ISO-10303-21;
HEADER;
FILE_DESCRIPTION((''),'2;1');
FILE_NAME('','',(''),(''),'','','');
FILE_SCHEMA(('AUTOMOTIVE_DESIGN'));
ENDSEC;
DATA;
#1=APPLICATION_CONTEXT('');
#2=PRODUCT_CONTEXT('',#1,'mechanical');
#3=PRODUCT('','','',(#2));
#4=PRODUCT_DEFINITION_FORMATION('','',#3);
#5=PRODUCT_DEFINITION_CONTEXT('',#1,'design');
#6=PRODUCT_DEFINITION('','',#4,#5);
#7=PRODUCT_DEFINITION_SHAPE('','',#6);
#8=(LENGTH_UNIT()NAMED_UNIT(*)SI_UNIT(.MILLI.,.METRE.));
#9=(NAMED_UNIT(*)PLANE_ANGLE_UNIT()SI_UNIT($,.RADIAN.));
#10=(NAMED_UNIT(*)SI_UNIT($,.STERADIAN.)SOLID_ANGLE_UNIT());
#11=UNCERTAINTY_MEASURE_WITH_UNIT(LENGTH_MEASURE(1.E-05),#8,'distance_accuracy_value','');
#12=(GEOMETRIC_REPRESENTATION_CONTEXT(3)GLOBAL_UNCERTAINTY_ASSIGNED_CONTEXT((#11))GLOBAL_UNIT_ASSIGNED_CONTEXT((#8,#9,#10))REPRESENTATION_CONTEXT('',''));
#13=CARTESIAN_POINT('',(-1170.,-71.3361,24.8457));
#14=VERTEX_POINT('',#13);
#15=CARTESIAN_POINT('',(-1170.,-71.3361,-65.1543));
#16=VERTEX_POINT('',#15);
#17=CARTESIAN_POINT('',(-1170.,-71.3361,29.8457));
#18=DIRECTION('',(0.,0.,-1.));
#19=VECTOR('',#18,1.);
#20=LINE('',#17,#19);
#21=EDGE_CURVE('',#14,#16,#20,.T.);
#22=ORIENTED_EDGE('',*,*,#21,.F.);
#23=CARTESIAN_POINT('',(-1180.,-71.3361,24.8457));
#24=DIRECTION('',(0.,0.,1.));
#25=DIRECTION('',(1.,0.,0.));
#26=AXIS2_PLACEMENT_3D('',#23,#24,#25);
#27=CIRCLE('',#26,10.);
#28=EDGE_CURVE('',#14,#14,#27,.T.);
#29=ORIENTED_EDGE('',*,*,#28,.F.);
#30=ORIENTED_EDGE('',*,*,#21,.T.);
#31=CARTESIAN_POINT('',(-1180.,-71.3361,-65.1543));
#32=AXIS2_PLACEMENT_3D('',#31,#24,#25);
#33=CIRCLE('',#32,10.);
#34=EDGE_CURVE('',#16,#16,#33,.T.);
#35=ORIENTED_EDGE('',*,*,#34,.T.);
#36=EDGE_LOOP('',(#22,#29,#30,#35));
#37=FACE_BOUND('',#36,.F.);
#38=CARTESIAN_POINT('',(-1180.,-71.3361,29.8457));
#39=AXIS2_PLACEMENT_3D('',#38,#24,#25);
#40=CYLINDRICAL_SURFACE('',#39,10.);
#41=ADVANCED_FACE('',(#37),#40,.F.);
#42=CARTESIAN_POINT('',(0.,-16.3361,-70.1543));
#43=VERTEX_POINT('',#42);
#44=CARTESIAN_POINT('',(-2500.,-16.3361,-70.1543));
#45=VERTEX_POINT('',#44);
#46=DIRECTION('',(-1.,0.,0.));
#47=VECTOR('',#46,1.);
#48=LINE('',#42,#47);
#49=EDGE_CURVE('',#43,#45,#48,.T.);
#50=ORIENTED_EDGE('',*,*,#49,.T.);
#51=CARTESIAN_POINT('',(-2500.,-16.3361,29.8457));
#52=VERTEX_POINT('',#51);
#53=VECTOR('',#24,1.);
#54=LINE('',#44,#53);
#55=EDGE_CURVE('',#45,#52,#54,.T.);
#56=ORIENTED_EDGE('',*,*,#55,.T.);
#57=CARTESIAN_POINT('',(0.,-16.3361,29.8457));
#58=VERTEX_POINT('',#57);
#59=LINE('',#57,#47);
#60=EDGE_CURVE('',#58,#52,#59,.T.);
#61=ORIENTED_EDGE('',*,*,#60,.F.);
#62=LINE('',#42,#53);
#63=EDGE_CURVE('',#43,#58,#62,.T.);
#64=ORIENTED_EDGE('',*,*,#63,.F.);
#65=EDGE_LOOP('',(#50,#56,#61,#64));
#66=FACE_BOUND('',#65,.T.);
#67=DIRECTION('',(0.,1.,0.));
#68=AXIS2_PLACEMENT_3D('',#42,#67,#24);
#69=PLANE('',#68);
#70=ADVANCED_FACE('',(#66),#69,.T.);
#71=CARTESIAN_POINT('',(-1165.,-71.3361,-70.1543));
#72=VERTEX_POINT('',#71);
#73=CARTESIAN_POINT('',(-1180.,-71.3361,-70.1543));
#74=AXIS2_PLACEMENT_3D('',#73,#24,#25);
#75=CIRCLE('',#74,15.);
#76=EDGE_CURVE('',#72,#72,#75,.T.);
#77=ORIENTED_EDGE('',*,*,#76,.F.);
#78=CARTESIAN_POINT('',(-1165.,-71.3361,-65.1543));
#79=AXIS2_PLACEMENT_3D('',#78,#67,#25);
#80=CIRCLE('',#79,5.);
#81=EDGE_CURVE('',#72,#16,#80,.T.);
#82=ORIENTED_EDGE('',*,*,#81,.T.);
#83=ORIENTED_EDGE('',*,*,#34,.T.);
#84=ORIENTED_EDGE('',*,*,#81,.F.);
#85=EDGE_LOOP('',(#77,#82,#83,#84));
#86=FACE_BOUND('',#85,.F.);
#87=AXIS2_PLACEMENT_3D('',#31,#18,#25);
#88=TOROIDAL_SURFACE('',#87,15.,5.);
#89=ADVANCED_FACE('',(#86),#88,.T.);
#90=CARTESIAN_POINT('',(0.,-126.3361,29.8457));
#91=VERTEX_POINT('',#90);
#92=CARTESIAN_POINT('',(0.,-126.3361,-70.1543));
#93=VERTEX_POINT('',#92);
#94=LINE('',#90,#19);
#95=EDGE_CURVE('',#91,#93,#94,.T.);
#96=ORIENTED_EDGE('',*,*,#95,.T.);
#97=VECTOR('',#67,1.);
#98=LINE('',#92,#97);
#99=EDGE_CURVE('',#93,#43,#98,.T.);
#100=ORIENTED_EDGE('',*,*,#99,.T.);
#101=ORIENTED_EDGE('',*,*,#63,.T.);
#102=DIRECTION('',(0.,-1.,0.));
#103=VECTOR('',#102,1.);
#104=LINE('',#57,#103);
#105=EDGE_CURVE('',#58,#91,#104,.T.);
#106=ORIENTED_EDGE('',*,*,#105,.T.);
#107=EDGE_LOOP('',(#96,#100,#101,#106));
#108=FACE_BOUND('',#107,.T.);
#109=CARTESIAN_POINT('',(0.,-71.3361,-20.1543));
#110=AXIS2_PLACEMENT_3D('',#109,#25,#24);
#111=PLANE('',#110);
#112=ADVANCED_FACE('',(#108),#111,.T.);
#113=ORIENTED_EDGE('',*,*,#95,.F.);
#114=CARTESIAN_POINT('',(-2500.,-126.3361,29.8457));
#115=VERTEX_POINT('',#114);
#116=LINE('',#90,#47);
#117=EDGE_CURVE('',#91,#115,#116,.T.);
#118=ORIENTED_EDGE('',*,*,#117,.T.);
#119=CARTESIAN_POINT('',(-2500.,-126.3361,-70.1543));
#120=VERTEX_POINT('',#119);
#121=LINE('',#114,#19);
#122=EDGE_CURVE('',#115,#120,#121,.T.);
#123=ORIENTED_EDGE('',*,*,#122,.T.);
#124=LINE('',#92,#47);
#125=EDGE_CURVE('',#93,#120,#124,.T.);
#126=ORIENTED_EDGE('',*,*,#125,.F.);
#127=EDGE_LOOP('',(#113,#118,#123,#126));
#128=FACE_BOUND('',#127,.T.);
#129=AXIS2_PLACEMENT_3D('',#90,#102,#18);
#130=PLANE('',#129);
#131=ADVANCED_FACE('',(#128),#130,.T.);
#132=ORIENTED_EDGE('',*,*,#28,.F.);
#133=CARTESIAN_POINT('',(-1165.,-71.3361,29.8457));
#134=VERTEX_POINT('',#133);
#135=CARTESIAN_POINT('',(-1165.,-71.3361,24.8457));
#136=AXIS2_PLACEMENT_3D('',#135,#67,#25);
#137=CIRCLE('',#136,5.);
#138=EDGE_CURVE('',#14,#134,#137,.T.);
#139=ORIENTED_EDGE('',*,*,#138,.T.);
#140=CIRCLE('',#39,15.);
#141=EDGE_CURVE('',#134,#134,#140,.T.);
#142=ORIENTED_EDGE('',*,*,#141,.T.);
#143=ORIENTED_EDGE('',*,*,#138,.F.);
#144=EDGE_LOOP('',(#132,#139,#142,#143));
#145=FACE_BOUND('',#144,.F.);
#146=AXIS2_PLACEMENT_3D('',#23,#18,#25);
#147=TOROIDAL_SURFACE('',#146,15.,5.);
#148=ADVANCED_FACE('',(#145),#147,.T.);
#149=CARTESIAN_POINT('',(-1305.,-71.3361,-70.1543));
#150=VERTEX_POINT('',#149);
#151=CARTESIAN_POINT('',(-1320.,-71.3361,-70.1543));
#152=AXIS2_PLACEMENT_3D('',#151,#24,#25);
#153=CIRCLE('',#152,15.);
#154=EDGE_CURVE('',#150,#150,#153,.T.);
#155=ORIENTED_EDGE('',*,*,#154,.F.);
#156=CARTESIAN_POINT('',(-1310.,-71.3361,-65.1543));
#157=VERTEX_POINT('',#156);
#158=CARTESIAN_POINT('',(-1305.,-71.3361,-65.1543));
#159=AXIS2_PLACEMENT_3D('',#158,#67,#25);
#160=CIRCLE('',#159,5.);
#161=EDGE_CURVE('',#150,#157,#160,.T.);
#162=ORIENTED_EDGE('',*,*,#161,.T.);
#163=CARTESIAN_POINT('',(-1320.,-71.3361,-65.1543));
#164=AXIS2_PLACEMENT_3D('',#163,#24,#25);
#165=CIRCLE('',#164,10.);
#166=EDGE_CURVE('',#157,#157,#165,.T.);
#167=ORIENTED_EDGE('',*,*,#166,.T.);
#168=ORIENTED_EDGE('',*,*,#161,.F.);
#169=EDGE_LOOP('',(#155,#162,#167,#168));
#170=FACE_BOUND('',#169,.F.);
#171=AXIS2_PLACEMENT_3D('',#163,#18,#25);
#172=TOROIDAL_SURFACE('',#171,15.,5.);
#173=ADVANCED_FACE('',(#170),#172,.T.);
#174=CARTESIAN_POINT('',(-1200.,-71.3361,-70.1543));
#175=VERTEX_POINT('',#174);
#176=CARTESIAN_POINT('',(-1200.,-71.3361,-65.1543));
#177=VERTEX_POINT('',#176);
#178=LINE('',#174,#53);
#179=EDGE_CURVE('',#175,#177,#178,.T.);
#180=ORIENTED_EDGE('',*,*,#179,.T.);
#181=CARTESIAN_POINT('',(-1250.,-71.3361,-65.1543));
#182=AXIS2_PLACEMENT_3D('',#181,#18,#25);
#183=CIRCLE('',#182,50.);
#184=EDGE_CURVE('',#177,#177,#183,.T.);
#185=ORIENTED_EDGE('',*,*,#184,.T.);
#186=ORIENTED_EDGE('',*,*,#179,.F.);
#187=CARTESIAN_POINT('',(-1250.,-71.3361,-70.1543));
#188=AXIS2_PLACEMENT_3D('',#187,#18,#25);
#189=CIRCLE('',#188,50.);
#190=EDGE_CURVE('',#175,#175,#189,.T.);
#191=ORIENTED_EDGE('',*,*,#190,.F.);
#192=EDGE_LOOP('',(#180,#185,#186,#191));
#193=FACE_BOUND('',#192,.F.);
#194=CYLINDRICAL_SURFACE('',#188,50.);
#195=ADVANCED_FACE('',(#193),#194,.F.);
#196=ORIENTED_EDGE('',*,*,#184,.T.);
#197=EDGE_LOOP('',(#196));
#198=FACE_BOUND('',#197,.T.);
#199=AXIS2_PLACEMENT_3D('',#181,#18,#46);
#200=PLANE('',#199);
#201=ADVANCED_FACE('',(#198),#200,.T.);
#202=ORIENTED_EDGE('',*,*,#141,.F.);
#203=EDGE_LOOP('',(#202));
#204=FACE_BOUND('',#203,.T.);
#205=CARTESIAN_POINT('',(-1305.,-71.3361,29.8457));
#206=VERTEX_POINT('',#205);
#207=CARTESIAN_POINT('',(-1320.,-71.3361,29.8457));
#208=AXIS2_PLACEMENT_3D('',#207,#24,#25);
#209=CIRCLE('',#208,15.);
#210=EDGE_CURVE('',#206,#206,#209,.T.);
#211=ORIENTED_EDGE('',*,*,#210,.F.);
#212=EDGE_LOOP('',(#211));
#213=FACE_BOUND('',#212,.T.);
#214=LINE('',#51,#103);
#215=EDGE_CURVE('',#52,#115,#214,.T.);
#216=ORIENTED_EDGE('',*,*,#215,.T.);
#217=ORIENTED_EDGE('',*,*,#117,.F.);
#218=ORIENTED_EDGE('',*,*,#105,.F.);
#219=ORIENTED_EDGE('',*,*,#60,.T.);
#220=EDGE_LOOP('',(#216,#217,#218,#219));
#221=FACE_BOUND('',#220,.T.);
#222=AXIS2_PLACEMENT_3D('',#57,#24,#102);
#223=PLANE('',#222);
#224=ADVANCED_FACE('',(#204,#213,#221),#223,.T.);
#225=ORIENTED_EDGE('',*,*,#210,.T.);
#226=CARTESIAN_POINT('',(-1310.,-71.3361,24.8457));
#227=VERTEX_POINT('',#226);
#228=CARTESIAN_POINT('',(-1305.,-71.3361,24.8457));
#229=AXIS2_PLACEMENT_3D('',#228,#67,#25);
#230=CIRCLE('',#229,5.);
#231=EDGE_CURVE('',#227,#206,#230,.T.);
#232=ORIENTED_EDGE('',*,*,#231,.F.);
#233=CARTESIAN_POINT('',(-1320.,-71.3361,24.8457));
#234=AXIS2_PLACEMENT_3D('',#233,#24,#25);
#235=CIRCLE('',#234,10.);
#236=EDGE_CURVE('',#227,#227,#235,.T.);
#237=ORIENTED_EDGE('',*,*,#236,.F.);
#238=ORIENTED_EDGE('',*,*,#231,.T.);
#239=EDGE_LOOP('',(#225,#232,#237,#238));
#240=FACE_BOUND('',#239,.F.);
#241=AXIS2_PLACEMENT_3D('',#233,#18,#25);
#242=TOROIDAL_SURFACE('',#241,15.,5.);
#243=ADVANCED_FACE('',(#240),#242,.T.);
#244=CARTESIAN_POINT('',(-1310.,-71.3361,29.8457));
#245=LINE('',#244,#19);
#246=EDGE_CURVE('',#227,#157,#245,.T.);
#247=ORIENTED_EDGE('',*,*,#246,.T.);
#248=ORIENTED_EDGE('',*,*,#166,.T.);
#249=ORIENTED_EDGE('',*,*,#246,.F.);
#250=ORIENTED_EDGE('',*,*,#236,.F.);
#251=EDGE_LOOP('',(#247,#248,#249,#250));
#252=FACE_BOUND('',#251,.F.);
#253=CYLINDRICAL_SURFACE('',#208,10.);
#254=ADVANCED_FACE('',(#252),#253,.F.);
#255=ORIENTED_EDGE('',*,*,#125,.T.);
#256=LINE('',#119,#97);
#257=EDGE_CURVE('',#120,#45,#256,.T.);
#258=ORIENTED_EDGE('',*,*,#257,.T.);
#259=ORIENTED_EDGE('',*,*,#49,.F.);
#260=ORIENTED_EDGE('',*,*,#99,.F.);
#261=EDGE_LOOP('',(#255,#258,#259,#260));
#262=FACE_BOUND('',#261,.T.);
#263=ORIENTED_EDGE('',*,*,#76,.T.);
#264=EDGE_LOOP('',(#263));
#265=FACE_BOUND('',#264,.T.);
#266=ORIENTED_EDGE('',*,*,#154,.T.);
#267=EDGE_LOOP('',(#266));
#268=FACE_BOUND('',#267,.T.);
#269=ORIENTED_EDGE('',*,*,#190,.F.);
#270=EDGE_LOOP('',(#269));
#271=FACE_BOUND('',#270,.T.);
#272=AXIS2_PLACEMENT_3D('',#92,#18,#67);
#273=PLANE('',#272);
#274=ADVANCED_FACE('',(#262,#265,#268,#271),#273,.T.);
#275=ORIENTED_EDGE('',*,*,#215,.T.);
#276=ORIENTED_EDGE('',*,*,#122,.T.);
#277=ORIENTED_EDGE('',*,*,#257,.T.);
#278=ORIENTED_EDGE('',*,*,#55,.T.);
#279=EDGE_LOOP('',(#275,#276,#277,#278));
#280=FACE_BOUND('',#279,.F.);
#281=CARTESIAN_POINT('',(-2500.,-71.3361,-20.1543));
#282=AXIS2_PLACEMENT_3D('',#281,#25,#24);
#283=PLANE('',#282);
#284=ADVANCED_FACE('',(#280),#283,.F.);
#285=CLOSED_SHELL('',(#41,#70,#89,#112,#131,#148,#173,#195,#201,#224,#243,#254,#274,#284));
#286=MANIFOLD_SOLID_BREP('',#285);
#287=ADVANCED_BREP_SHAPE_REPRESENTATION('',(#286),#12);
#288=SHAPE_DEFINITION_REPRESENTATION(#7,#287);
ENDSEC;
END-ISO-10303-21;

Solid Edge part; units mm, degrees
sketch "Sketch1" plane through (0, 0, 0) normal (1, 0, 0) x (0, 1, 0)
  line L0 (-126.3361, -70.1543) -> (-16.3361, -70.1543)
  line L1 (-16.3361, -70.1543) -> (-16.3361, 29.8457)
  line L2 (-16.3361, 29.8457) -> (-126.3361, 29.8457)
  line L3 (-126.3361, 29.8457) -> (-126.3361, -70.1543)
  dimension "D1" = 100
  dimension "D2" = 110
extrude "Protrusion1" add sketch "Sketch1" against normal blind 2500
sketch "Sketch2" plane through (-1250, -71.3361, -70.1543) normal (0, 0, -1) x (1, 0, 0)
  circle A0 centre (0, 0) radius 50
extrude "ExtrudedCutout_2" cut sketch "Sketch2" against normal blind 5
sketch "Sketch3" plane through (-1250, -71.3361, 29.8457) normal (0, 0, 1) x (1, 0, 0)
  circle A0 centre (-70, 0) radius 10
  circle A1 centre (70, 0) radius 10
  dimension "D1" = 70
  dimension "D2" = 70
extrude "Cutout1" cut sketch "Sketch3" against normal through all
fillet "Round_1" radius 5 4 edges at (-1330, -71.3361, 29.8457) (-1310, -71.3361, -70.1543) (-1190, -71.3361, 29.8457) (-1170, -71.3361, -70.1543)
